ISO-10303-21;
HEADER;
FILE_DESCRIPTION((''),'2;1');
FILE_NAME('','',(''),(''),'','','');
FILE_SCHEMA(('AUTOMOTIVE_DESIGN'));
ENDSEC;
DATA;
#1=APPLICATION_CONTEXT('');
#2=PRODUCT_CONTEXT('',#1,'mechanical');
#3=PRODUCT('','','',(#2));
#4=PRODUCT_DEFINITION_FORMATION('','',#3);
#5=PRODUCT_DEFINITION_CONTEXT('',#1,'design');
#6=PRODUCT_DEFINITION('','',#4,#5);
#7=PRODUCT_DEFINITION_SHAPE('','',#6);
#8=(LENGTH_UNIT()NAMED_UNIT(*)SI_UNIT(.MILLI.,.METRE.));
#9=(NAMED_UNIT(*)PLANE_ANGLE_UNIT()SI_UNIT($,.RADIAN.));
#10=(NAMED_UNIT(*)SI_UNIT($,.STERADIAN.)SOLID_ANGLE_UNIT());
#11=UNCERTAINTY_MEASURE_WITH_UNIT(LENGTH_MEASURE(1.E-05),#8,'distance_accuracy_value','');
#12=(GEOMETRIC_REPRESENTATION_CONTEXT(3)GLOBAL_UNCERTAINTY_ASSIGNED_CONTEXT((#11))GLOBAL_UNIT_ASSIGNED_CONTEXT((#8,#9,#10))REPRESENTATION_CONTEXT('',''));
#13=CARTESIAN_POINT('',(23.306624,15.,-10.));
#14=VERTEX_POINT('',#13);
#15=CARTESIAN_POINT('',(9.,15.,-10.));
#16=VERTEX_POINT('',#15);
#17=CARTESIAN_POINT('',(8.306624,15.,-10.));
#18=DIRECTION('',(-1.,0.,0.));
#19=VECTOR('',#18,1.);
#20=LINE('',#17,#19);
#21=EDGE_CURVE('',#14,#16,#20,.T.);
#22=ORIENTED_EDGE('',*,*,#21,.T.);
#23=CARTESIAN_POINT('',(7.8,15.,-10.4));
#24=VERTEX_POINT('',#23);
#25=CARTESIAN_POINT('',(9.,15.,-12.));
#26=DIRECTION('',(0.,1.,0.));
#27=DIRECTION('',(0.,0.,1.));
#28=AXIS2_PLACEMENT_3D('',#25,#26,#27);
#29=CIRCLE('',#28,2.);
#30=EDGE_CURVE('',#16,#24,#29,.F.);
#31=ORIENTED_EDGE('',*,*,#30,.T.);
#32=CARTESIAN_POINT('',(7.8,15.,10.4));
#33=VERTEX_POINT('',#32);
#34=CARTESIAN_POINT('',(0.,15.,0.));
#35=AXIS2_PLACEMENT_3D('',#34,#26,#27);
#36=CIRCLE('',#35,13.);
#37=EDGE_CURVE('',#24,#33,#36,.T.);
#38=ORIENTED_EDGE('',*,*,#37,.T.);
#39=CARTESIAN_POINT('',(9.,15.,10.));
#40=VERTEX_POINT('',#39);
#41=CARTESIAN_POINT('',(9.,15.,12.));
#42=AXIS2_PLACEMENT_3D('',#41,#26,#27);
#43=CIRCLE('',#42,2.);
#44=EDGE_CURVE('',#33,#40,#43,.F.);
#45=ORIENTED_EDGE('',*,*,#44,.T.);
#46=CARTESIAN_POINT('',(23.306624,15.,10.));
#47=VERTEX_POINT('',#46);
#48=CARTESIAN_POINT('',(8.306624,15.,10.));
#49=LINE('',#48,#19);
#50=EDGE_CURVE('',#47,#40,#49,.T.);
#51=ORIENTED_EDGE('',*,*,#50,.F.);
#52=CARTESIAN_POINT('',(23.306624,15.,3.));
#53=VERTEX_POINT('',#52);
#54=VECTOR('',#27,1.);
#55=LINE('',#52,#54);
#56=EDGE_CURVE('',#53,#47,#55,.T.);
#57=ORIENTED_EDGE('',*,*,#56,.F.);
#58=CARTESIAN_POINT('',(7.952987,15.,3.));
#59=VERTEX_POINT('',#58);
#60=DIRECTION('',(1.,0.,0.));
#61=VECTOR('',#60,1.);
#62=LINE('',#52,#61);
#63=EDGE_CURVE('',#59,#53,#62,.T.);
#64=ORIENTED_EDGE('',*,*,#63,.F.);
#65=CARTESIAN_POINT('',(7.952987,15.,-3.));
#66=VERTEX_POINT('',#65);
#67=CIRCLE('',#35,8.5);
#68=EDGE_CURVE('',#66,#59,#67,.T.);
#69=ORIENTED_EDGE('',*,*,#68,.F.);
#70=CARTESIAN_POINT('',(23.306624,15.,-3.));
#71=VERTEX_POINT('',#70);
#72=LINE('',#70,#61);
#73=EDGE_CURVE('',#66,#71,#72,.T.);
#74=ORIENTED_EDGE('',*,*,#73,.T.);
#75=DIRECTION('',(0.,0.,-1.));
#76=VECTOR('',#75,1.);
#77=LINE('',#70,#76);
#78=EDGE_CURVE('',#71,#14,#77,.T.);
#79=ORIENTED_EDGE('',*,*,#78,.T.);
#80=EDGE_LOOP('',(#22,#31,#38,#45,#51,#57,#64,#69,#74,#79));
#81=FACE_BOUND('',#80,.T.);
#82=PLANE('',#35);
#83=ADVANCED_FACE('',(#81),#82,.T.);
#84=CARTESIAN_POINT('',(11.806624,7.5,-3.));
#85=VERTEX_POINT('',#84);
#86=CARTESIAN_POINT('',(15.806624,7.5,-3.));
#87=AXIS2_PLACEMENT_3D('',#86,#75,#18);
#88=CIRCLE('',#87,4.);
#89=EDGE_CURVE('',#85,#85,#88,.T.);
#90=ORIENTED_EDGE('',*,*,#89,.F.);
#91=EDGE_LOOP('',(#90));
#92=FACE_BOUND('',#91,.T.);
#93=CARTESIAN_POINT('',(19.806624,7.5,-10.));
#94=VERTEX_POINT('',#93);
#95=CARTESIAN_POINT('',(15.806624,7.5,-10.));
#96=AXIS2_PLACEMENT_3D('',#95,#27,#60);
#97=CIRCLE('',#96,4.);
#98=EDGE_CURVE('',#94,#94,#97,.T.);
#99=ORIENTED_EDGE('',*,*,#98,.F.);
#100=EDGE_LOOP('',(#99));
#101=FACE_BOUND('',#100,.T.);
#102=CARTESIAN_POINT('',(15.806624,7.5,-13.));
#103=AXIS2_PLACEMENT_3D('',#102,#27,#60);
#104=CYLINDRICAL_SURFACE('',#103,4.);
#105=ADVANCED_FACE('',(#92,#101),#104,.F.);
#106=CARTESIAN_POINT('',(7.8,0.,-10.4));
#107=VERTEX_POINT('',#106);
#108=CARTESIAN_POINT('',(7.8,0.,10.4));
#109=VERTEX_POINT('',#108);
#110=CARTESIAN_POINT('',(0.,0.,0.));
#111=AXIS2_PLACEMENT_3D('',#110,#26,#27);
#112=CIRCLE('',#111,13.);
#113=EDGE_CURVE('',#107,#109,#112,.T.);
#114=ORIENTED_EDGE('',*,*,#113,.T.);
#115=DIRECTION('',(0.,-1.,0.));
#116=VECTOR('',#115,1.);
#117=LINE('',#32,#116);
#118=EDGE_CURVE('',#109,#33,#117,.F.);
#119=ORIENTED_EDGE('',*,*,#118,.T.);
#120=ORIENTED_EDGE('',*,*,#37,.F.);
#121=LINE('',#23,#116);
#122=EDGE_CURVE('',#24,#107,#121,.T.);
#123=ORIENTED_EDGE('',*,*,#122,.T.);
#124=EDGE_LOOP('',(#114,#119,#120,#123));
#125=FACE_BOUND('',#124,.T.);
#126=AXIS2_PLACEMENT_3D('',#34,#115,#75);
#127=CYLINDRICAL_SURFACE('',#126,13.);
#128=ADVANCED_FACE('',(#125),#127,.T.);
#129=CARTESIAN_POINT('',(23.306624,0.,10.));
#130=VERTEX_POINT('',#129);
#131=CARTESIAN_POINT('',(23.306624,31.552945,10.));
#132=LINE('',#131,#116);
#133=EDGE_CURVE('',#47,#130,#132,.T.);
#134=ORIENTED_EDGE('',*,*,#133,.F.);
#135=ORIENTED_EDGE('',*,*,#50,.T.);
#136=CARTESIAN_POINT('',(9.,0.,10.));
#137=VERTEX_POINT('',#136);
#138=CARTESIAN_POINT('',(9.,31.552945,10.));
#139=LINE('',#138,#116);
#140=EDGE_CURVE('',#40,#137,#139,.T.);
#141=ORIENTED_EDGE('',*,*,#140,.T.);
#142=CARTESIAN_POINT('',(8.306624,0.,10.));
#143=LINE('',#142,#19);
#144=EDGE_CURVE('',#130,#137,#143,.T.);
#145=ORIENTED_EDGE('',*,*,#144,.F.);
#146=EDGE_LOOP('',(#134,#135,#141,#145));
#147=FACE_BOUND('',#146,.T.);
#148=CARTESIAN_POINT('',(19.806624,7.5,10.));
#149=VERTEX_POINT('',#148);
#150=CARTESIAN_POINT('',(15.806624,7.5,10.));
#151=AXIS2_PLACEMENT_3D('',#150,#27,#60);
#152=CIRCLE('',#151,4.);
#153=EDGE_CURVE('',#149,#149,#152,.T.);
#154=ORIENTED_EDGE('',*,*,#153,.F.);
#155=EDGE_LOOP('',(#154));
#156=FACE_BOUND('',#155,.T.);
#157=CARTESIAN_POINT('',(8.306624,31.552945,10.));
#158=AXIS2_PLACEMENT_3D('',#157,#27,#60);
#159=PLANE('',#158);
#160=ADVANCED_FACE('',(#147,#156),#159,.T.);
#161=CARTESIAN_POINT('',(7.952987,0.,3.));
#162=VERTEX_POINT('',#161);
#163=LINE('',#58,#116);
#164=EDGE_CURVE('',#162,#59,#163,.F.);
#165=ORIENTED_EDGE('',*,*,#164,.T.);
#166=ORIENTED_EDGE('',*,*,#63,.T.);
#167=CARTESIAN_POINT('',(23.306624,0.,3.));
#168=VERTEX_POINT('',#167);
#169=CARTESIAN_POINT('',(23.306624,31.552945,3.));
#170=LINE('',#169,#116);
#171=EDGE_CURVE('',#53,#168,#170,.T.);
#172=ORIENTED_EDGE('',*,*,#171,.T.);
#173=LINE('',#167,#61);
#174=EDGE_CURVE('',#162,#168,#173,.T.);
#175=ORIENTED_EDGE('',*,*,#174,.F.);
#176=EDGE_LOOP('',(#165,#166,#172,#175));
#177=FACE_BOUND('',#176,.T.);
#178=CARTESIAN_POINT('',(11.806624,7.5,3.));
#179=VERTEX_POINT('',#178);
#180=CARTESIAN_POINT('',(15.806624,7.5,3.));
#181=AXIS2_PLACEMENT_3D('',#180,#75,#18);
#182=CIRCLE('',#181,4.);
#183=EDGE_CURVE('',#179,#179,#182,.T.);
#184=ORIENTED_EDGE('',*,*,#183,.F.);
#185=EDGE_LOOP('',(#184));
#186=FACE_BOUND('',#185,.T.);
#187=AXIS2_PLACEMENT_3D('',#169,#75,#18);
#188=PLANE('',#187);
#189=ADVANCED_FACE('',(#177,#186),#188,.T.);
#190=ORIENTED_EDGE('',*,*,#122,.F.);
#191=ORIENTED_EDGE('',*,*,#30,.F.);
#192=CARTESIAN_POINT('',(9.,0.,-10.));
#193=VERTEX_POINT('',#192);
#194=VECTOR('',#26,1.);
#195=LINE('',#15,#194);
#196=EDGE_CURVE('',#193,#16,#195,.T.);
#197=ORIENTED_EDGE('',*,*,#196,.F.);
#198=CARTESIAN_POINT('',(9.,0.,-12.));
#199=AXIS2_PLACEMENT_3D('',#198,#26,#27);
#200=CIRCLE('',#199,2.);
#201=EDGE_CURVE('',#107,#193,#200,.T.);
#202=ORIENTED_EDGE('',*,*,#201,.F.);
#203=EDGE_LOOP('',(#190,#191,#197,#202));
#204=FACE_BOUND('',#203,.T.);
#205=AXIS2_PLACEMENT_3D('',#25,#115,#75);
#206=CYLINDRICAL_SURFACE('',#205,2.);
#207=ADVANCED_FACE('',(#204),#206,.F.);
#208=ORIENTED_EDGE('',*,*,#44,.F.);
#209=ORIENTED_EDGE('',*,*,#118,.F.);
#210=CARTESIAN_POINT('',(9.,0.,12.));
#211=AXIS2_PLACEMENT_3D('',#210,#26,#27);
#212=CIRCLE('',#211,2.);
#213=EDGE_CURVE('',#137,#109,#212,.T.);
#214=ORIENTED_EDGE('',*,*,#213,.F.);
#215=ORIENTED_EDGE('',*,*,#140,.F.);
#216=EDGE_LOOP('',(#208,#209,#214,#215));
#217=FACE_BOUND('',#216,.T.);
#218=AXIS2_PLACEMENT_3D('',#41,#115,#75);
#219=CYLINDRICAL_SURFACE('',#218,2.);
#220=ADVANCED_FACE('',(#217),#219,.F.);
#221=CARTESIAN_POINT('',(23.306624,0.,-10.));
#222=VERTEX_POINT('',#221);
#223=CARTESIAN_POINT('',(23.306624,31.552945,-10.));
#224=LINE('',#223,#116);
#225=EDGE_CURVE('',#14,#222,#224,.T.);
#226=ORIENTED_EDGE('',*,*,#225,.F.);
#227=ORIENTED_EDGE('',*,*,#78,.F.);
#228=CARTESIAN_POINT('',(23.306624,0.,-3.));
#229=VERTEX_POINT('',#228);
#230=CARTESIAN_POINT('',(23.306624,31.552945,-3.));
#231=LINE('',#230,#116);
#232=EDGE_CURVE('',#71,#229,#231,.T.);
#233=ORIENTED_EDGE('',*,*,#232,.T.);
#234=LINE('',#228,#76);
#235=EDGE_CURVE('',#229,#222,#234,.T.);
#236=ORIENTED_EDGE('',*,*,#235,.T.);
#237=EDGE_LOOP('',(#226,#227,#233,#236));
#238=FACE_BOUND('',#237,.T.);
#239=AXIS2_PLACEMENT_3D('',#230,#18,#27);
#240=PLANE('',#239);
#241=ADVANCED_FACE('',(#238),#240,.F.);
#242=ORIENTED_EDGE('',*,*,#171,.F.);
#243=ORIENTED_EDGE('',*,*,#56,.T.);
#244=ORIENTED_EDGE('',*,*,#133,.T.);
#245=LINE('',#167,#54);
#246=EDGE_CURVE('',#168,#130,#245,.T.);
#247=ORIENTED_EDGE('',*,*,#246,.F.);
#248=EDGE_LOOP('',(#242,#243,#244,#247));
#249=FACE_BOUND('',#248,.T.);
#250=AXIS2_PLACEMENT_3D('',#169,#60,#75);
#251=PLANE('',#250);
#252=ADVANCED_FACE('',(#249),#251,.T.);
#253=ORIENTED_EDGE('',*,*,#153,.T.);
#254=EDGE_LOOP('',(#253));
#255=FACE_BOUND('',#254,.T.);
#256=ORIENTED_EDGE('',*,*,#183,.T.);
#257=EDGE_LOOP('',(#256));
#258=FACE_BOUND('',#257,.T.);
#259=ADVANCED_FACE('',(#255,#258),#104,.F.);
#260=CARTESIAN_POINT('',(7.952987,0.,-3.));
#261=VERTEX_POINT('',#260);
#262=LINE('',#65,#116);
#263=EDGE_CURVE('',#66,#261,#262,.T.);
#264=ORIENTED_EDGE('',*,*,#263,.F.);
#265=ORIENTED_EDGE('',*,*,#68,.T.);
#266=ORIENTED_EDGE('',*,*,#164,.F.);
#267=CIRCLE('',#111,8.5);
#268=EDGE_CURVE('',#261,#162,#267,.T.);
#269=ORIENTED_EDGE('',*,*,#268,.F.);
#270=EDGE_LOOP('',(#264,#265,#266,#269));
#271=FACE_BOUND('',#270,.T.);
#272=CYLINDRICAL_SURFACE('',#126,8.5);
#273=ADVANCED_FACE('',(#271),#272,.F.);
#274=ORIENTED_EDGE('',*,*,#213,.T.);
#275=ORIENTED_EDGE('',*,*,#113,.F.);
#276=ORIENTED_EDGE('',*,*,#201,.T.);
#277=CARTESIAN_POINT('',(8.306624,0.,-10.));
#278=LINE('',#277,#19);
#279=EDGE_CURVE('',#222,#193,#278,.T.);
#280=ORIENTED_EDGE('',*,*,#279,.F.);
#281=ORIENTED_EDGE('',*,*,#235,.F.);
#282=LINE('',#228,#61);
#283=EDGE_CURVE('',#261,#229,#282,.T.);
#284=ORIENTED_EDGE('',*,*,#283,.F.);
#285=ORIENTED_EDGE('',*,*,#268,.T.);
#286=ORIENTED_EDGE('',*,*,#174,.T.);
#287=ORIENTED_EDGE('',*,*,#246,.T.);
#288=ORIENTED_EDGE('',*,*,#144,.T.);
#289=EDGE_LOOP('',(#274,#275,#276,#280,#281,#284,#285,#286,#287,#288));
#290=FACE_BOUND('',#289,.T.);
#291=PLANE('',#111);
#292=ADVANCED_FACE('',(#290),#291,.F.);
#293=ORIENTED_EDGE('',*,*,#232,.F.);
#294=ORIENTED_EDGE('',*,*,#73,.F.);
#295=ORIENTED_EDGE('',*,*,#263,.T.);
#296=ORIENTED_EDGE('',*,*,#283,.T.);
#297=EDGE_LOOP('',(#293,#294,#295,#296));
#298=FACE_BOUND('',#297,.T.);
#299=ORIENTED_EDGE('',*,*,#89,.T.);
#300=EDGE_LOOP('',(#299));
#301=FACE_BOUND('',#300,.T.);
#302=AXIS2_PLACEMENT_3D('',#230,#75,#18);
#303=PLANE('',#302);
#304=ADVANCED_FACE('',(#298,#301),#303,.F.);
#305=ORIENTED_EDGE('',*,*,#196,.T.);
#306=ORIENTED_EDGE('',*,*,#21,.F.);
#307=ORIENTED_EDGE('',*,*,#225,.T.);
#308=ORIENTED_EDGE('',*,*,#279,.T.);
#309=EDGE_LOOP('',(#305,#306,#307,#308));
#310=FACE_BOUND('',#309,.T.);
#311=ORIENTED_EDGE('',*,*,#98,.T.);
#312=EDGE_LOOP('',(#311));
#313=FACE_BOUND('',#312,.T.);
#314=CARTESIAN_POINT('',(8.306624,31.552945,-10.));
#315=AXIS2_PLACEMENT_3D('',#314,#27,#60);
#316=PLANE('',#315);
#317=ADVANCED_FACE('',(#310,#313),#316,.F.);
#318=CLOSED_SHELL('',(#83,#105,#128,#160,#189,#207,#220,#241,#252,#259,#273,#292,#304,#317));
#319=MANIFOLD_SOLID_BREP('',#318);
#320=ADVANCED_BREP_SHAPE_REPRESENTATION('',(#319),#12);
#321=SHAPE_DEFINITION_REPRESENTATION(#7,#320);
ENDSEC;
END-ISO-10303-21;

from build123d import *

# Parameters (mm, degrees)
SCHIZZO3_R           = 13
SCHIZZO3_R_2         = 8.5
ANELLO_DEPTH         = 15
AGGANCIOALTO_DEPTH   = 15
SCHIZZO5_W           = 23.306623863
SCHIZZO5_H           = 6
APERTURAANELLO_DEPTH = 31.61370144
SCHIZZO6_R           = 4
FOROPASSANTE_DEPTH   = 37.016644984
RACCORDOBASSO_R      = 2
RACCORDOALTO_R       = 2


with BuildPart() as part:
    # Schizzo3 → Anello (new body)
    with BuildSketch(Plane(origin=(0, 0, 0), x_dir=(1, 0, 0), z_dir=(0, 1, 0))):
        with Locations(Location((0, 0, 0), (0, 0, 270))):
            Circle(SCHIZZO3_R)
        with Locations(Location((0, 0, 0), (0, 0, 270))):
            Circle(SCHIZZO3_R_2, mode=Mode.SUBTRACT)
    extrude(amount=ANELLO_DEPTH)

    # Schizzo4 → AggancioAlto (add)
    with BuildSketch(Plane(origin=(0, 0, 0), x_dir=(1, 0, 0), z_dir=(0, 1, 0))):
        with BuildLine():
            Line((23.306623863, 3), (12.649110641, 3))
            ThreePointArc((12.649110641, 3), (11.046977059, 6.853050259), (8.306623863, 10))
            Line((8.306623863, 10), (23.306623863, 10))
            Line((23.306623863, 10), (23.306623863, 3))
        make_face()
    aggancioalto = extrude(amount=AGGANCIOALTO_DEPTH)

    # AggancioBasso: AggancioAlto across plane
    add(aggancioalto.mirror(Plane.XY))

    # Schizzo5 → AperturaAnello (cut, through all)
    with BuildSketch(Plane(origin=(0, 15, 0), x_dir=(1, 0, 0), z_dir=(0, 1, 0))):
        with Locations((11.653311932, 0)):
            Rectangle(SCHIZZO5_W, SCHIZZO5_H)
    extrude(amount=-APERTURAANELLO_DEPTH, mode=Mode.SUBTRACT)

    # Schizzo6 → ForoPassante (cut, through all)
    with BuildSketch(Plane.XY.offset(10)):
        with Locations((15.806623863, 7.5)):
            Circle(SCHIZZO6_R)
    extrude(amount=-FOROPASSANTE_DEPTH, mode=Mode.SUBTRACT)

    # RaccordoBasso
    raccordobasso_edges = [part.edges().sort_by_distance(p)[0] for p in [
        (8.306623863, 7.5, 10),
    ]]
    fillet(raccordobasso_edges, radius=RACCORDOBASSO_R)

    # RaccordoAlto
    raccordoalto_edges = [part.edges().sort_by_distance(p)[0] for p in [
        (8.306623863, 7.5, -10),
    ]]
    fillet(raccordoalto_edges, radius=RACCORDOALTO_R)


solid = part.part
